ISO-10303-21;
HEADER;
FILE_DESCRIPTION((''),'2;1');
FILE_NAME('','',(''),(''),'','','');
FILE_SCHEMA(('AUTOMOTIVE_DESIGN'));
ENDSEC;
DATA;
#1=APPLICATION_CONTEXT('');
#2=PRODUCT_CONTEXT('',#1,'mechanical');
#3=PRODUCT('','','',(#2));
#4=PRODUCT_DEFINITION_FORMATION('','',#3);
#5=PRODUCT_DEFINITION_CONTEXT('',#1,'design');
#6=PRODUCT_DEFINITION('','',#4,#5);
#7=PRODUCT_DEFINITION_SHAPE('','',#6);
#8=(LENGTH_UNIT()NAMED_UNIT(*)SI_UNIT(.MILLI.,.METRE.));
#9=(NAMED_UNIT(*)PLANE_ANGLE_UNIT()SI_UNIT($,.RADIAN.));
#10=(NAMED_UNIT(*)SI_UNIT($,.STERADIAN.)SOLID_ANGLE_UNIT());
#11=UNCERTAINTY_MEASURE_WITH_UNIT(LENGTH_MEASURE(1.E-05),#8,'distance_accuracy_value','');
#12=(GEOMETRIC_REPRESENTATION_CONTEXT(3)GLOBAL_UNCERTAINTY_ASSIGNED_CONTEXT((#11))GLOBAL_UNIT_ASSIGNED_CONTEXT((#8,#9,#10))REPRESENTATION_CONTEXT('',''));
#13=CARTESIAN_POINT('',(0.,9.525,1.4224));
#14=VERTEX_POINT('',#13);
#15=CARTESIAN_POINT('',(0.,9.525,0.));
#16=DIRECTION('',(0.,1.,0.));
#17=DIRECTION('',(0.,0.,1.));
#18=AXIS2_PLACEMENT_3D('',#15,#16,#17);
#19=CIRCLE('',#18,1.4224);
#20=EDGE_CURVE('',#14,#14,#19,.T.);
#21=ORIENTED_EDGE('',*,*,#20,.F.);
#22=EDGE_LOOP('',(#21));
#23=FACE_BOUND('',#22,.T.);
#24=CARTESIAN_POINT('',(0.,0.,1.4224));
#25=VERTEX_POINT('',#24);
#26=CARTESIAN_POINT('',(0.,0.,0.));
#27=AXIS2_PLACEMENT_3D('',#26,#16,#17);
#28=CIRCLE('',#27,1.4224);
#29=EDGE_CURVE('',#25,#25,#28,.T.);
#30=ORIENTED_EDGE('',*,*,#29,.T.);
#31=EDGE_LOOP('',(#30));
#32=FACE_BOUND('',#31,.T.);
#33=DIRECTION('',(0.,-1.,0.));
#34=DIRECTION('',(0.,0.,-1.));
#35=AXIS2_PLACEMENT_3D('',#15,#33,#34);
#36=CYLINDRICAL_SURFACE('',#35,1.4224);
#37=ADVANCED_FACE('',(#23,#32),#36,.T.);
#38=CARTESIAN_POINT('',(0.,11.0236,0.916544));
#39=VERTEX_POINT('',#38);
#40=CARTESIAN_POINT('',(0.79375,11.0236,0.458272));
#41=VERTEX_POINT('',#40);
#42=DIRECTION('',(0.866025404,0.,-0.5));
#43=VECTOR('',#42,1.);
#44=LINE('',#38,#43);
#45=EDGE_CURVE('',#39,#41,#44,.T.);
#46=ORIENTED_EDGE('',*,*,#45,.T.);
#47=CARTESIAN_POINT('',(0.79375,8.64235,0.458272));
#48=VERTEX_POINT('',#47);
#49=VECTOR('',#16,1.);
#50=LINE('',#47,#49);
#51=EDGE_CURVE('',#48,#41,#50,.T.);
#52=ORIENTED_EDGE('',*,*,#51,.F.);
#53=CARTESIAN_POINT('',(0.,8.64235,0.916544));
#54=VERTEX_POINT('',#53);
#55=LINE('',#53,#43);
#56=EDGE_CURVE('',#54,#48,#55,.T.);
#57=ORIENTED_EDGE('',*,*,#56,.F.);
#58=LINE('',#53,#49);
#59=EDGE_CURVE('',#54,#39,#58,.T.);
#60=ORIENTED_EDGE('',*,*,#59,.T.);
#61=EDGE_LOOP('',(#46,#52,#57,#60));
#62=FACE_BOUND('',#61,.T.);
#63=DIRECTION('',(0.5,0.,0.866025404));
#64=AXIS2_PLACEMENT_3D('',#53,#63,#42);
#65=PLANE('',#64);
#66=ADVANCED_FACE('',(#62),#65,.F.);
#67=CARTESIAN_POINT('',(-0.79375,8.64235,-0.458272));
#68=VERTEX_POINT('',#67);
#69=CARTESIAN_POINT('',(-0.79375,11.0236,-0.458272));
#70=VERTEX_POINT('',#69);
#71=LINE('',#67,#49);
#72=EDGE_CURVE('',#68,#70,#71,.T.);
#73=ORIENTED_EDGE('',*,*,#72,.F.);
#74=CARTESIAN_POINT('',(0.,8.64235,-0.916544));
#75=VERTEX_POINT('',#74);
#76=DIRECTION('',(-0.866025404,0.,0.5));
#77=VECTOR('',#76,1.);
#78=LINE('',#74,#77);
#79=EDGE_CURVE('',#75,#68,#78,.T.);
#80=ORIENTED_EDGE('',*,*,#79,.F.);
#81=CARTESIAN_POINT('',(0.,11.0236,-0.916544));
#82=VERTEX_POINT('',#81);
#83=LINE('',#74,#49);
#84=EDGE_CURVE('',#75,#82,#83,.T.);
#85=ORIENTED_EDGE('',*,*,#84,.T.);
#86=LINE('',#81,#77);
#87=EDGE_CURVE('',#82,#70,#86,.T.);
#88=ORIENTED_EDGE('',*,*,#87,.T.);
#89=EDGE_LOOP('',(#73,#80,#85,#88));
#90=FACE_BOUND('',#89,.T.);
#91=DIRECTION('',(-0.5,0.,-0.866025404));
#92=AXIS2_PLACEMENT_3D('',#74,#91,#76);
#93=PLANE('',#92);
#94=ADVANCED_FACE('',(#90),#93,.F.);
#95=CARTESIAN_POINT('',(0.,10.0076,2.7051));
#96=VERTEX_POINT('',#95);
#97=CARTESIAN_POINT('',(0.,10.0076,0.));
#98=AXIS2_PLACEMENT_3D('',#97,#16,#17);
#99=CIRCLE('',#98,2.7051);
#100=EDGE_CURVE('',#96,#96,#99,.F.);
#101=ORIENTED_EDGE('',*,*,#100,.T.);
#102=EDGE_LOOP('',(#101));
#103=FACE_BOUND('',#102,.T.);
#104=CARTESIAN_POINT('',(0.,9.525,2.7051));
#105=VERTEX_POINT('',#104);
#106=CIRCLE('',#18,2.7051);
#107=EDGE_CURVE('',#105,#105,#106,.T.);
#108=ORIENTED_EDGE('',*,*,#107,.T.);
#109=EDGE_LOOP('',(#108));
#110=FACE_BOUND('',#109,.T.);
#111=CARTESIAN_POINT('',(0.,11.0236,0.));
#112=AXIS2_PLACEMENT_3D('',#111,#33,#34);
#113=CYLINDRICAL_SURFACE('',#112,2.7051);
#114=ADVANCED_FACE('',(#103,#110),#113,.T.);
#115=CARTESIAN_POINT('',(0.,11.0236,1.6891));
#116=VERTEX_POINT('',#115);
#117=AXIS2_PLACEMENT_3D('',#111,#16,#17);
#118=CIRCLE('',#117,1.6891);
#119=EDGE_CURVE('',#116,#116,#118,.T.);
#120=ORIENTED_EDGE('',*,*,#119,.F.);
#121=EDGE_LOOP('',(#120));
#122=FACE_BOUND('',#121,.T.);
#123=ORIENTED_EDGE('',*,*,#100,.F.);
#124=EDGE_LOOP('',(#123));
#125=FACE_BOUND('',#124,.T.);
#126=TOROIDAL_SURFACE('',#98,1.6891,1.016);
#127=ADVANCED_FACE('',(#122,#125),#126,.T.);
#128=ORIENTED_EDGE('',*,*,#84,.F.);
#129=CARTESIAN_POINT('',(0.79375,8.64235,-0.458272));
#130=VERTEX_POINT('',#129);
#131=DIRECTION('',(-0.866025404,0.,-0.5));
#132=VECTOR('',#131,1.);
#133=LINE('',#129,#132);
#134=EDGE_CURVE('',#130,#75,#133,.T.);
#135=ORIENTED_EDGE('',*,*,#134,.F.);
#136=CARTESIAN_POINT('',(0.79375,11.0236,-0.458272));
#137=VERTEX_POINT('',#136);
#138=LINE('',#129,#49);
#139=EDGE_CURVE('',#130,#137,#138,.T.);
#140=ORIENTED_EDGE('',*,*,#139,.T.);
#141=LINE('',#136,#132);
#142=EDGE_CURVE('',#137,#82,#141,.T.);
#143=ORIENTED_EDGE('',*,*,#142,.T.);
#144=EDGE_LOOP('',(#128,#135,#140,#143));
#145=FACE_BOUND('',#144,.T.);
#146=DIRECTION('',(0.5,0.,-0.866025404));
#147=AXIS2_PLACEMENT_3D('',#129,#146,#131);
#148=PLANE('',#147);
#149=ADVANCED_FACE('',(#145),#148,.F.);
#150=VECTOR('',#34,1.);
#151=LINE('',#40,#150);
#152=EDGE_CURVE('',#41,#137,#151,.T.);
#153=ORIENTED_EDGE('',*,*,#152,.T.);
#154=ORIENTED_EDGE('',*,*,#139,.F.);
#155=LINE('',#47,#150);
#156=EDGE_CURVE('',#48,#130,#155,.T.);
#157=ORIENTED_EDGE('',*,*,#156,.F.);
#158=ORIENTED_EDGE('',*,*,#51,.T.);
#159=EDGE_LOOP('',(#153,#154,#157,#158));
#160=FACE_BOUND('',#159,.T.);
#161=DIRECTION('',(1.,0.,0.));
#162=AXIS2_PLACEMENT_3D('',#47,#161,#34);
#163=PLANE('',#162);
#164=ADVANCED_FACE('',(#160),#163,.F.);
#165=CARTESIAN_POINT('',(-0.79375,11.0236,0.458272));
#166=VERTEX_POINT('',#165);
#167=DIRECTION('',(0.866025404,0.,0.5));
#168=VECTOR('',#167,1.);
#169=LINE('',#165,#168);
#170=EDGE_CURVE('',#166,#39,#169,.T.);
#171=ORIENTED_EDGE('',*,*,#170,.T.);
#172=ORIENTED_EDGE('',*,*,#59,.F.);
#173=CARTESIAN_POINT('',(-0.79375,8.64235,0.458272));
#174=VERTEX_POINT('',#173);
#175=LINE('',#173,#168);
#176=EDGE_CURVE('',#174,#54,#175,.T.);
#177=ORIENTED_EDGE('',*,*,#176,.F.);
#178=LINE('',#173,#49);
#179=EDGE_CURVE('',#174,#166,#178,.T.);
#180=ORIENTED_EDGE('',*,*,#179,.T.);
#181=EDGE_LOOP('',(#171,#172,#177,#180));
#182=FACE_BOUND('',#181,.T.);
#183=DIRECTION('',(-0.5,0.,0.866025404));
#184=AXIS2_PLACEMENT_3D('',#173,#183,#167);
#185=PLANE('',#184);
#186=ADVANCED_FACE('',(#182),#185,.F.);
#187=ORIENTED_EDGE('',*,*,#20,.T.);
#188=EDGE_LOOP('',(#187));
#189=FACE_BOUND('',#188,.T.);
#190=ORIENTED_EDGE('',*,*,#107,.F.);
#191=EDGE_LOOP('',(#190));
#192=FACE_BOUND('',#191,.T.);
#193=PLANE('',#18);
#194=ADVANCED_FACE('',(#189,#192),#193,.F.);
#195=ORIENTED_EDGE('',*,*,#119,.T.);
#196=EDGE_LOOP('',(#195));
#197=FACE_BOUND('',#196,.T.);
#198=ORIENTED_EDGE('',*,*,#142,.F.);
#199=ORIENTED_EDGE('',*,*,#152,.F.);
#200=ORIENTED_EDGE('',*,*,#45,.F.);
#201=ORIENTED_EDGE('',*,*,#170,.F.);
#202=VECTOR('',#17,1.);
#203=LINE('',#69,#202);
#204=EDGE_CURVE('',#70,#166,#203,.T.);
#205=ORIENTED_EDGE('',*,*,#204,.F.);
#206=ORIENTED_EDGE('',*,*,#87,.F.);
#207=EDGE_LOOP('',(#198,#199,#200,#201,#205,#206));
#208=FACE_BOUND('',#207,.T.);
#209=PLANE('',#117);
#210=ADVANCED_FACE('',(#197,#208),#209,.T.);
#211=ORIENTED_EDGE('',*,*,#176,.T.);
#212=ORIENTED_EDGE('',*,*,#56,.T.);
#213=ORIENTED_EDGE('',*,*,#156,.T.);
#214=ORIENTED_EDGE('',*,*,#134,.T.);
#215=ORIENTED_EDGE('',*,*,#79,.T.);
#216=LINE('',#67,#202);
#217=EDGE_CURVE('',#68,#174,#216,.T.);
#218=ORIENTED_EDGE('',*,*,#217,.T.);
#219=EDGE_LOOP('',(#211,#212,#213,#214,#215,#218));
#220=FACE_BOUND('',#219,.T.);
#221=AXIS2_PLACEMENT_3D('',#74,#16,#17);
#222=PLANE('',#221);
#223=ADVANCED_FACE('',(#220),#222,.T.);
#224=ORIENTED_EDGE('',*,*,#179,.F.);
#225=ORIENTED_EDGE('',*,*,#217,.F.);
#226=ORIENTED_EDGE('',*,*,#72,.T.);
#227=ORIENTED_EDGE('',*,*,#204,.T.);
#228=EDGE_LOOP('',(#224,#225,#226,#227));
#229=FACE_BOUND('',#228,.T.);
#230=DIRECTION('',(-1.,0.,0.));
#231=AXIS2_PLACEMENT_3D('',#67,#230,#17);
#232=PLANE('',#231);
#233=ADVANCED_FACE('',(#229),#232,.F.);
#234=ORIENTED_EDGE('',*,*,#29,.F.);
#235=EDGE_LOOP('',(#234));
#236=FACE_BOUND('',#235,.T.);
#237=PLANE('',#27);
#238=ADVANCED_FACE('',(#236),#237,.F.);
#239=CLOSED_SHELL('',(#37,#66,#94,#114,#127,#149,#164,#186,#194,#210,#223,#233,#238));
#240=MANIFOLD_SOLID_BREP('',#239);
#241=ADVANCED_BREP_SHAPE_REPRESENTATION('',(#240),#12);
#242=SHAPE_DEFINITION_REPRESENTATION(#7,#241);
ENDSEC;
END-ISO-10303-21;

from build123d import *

# Parameters (mm, degrees)
SKETCH1_R           = 1.4224
BOSS_EXTRUDE1_DEPTH = 9.525
SKETCH2_R           = 2.7051
BOSS_EXTRUDE2_DEPTH = 1.4986
FILLET1_R           = 1.016
CUT_EXTRUDE1_DEPTH  = 2.38125


with BuildPart() as part:
    # Sketch1 → Boss-Extrude1 (new body)
    with BuildSketch(Plane(origin=(0, 0, 0), x_dir=(1, 0, 0), z_dir=(0, 1, 0))):
        Circle(SKETCH1_R)
    extrude(amount=BOSS_EXTRUDE1_DEPTH)

    # Sketch2 → Boss-Extrude2 (add)
    with BuildSketch(Plane(origin=(0, 9.525, 0), x_dir=(1, 0, 0), z_dir=(0, 1, 0))):
        Circle(SKETCH2_R)
    extrude(amount=BOSS_EXTRUDE2_DEPTH)

    # Fillet1
    fillet1_edges = [part.edges().sort_by_distance(p)[0] for p in [
        (-2.7051, 11.0236, 0),
    ]]
    fillet(fillet1_edges, radius=FILLET1_R)

    # Sketch3 → Cut-Extrude1 (cut)
    with BuildSketch(Plane(origin=(0, 11.0236, 0), x_dir=(1, 0, 0), z_dir=(0, 1, 0))):
        Polygon((0, 0.916543552), (-0.79375, 0.458271776), (-0.79375, -0.458271776), (0, -0.916543552), (0.79375, -0.458271776), (0.79375, 0.458271776), align=None)
    extrude(amount=-CUT_EXTRUDE1_DEPTH, mode=Mode.SUBTRACT)


solid = part.part
